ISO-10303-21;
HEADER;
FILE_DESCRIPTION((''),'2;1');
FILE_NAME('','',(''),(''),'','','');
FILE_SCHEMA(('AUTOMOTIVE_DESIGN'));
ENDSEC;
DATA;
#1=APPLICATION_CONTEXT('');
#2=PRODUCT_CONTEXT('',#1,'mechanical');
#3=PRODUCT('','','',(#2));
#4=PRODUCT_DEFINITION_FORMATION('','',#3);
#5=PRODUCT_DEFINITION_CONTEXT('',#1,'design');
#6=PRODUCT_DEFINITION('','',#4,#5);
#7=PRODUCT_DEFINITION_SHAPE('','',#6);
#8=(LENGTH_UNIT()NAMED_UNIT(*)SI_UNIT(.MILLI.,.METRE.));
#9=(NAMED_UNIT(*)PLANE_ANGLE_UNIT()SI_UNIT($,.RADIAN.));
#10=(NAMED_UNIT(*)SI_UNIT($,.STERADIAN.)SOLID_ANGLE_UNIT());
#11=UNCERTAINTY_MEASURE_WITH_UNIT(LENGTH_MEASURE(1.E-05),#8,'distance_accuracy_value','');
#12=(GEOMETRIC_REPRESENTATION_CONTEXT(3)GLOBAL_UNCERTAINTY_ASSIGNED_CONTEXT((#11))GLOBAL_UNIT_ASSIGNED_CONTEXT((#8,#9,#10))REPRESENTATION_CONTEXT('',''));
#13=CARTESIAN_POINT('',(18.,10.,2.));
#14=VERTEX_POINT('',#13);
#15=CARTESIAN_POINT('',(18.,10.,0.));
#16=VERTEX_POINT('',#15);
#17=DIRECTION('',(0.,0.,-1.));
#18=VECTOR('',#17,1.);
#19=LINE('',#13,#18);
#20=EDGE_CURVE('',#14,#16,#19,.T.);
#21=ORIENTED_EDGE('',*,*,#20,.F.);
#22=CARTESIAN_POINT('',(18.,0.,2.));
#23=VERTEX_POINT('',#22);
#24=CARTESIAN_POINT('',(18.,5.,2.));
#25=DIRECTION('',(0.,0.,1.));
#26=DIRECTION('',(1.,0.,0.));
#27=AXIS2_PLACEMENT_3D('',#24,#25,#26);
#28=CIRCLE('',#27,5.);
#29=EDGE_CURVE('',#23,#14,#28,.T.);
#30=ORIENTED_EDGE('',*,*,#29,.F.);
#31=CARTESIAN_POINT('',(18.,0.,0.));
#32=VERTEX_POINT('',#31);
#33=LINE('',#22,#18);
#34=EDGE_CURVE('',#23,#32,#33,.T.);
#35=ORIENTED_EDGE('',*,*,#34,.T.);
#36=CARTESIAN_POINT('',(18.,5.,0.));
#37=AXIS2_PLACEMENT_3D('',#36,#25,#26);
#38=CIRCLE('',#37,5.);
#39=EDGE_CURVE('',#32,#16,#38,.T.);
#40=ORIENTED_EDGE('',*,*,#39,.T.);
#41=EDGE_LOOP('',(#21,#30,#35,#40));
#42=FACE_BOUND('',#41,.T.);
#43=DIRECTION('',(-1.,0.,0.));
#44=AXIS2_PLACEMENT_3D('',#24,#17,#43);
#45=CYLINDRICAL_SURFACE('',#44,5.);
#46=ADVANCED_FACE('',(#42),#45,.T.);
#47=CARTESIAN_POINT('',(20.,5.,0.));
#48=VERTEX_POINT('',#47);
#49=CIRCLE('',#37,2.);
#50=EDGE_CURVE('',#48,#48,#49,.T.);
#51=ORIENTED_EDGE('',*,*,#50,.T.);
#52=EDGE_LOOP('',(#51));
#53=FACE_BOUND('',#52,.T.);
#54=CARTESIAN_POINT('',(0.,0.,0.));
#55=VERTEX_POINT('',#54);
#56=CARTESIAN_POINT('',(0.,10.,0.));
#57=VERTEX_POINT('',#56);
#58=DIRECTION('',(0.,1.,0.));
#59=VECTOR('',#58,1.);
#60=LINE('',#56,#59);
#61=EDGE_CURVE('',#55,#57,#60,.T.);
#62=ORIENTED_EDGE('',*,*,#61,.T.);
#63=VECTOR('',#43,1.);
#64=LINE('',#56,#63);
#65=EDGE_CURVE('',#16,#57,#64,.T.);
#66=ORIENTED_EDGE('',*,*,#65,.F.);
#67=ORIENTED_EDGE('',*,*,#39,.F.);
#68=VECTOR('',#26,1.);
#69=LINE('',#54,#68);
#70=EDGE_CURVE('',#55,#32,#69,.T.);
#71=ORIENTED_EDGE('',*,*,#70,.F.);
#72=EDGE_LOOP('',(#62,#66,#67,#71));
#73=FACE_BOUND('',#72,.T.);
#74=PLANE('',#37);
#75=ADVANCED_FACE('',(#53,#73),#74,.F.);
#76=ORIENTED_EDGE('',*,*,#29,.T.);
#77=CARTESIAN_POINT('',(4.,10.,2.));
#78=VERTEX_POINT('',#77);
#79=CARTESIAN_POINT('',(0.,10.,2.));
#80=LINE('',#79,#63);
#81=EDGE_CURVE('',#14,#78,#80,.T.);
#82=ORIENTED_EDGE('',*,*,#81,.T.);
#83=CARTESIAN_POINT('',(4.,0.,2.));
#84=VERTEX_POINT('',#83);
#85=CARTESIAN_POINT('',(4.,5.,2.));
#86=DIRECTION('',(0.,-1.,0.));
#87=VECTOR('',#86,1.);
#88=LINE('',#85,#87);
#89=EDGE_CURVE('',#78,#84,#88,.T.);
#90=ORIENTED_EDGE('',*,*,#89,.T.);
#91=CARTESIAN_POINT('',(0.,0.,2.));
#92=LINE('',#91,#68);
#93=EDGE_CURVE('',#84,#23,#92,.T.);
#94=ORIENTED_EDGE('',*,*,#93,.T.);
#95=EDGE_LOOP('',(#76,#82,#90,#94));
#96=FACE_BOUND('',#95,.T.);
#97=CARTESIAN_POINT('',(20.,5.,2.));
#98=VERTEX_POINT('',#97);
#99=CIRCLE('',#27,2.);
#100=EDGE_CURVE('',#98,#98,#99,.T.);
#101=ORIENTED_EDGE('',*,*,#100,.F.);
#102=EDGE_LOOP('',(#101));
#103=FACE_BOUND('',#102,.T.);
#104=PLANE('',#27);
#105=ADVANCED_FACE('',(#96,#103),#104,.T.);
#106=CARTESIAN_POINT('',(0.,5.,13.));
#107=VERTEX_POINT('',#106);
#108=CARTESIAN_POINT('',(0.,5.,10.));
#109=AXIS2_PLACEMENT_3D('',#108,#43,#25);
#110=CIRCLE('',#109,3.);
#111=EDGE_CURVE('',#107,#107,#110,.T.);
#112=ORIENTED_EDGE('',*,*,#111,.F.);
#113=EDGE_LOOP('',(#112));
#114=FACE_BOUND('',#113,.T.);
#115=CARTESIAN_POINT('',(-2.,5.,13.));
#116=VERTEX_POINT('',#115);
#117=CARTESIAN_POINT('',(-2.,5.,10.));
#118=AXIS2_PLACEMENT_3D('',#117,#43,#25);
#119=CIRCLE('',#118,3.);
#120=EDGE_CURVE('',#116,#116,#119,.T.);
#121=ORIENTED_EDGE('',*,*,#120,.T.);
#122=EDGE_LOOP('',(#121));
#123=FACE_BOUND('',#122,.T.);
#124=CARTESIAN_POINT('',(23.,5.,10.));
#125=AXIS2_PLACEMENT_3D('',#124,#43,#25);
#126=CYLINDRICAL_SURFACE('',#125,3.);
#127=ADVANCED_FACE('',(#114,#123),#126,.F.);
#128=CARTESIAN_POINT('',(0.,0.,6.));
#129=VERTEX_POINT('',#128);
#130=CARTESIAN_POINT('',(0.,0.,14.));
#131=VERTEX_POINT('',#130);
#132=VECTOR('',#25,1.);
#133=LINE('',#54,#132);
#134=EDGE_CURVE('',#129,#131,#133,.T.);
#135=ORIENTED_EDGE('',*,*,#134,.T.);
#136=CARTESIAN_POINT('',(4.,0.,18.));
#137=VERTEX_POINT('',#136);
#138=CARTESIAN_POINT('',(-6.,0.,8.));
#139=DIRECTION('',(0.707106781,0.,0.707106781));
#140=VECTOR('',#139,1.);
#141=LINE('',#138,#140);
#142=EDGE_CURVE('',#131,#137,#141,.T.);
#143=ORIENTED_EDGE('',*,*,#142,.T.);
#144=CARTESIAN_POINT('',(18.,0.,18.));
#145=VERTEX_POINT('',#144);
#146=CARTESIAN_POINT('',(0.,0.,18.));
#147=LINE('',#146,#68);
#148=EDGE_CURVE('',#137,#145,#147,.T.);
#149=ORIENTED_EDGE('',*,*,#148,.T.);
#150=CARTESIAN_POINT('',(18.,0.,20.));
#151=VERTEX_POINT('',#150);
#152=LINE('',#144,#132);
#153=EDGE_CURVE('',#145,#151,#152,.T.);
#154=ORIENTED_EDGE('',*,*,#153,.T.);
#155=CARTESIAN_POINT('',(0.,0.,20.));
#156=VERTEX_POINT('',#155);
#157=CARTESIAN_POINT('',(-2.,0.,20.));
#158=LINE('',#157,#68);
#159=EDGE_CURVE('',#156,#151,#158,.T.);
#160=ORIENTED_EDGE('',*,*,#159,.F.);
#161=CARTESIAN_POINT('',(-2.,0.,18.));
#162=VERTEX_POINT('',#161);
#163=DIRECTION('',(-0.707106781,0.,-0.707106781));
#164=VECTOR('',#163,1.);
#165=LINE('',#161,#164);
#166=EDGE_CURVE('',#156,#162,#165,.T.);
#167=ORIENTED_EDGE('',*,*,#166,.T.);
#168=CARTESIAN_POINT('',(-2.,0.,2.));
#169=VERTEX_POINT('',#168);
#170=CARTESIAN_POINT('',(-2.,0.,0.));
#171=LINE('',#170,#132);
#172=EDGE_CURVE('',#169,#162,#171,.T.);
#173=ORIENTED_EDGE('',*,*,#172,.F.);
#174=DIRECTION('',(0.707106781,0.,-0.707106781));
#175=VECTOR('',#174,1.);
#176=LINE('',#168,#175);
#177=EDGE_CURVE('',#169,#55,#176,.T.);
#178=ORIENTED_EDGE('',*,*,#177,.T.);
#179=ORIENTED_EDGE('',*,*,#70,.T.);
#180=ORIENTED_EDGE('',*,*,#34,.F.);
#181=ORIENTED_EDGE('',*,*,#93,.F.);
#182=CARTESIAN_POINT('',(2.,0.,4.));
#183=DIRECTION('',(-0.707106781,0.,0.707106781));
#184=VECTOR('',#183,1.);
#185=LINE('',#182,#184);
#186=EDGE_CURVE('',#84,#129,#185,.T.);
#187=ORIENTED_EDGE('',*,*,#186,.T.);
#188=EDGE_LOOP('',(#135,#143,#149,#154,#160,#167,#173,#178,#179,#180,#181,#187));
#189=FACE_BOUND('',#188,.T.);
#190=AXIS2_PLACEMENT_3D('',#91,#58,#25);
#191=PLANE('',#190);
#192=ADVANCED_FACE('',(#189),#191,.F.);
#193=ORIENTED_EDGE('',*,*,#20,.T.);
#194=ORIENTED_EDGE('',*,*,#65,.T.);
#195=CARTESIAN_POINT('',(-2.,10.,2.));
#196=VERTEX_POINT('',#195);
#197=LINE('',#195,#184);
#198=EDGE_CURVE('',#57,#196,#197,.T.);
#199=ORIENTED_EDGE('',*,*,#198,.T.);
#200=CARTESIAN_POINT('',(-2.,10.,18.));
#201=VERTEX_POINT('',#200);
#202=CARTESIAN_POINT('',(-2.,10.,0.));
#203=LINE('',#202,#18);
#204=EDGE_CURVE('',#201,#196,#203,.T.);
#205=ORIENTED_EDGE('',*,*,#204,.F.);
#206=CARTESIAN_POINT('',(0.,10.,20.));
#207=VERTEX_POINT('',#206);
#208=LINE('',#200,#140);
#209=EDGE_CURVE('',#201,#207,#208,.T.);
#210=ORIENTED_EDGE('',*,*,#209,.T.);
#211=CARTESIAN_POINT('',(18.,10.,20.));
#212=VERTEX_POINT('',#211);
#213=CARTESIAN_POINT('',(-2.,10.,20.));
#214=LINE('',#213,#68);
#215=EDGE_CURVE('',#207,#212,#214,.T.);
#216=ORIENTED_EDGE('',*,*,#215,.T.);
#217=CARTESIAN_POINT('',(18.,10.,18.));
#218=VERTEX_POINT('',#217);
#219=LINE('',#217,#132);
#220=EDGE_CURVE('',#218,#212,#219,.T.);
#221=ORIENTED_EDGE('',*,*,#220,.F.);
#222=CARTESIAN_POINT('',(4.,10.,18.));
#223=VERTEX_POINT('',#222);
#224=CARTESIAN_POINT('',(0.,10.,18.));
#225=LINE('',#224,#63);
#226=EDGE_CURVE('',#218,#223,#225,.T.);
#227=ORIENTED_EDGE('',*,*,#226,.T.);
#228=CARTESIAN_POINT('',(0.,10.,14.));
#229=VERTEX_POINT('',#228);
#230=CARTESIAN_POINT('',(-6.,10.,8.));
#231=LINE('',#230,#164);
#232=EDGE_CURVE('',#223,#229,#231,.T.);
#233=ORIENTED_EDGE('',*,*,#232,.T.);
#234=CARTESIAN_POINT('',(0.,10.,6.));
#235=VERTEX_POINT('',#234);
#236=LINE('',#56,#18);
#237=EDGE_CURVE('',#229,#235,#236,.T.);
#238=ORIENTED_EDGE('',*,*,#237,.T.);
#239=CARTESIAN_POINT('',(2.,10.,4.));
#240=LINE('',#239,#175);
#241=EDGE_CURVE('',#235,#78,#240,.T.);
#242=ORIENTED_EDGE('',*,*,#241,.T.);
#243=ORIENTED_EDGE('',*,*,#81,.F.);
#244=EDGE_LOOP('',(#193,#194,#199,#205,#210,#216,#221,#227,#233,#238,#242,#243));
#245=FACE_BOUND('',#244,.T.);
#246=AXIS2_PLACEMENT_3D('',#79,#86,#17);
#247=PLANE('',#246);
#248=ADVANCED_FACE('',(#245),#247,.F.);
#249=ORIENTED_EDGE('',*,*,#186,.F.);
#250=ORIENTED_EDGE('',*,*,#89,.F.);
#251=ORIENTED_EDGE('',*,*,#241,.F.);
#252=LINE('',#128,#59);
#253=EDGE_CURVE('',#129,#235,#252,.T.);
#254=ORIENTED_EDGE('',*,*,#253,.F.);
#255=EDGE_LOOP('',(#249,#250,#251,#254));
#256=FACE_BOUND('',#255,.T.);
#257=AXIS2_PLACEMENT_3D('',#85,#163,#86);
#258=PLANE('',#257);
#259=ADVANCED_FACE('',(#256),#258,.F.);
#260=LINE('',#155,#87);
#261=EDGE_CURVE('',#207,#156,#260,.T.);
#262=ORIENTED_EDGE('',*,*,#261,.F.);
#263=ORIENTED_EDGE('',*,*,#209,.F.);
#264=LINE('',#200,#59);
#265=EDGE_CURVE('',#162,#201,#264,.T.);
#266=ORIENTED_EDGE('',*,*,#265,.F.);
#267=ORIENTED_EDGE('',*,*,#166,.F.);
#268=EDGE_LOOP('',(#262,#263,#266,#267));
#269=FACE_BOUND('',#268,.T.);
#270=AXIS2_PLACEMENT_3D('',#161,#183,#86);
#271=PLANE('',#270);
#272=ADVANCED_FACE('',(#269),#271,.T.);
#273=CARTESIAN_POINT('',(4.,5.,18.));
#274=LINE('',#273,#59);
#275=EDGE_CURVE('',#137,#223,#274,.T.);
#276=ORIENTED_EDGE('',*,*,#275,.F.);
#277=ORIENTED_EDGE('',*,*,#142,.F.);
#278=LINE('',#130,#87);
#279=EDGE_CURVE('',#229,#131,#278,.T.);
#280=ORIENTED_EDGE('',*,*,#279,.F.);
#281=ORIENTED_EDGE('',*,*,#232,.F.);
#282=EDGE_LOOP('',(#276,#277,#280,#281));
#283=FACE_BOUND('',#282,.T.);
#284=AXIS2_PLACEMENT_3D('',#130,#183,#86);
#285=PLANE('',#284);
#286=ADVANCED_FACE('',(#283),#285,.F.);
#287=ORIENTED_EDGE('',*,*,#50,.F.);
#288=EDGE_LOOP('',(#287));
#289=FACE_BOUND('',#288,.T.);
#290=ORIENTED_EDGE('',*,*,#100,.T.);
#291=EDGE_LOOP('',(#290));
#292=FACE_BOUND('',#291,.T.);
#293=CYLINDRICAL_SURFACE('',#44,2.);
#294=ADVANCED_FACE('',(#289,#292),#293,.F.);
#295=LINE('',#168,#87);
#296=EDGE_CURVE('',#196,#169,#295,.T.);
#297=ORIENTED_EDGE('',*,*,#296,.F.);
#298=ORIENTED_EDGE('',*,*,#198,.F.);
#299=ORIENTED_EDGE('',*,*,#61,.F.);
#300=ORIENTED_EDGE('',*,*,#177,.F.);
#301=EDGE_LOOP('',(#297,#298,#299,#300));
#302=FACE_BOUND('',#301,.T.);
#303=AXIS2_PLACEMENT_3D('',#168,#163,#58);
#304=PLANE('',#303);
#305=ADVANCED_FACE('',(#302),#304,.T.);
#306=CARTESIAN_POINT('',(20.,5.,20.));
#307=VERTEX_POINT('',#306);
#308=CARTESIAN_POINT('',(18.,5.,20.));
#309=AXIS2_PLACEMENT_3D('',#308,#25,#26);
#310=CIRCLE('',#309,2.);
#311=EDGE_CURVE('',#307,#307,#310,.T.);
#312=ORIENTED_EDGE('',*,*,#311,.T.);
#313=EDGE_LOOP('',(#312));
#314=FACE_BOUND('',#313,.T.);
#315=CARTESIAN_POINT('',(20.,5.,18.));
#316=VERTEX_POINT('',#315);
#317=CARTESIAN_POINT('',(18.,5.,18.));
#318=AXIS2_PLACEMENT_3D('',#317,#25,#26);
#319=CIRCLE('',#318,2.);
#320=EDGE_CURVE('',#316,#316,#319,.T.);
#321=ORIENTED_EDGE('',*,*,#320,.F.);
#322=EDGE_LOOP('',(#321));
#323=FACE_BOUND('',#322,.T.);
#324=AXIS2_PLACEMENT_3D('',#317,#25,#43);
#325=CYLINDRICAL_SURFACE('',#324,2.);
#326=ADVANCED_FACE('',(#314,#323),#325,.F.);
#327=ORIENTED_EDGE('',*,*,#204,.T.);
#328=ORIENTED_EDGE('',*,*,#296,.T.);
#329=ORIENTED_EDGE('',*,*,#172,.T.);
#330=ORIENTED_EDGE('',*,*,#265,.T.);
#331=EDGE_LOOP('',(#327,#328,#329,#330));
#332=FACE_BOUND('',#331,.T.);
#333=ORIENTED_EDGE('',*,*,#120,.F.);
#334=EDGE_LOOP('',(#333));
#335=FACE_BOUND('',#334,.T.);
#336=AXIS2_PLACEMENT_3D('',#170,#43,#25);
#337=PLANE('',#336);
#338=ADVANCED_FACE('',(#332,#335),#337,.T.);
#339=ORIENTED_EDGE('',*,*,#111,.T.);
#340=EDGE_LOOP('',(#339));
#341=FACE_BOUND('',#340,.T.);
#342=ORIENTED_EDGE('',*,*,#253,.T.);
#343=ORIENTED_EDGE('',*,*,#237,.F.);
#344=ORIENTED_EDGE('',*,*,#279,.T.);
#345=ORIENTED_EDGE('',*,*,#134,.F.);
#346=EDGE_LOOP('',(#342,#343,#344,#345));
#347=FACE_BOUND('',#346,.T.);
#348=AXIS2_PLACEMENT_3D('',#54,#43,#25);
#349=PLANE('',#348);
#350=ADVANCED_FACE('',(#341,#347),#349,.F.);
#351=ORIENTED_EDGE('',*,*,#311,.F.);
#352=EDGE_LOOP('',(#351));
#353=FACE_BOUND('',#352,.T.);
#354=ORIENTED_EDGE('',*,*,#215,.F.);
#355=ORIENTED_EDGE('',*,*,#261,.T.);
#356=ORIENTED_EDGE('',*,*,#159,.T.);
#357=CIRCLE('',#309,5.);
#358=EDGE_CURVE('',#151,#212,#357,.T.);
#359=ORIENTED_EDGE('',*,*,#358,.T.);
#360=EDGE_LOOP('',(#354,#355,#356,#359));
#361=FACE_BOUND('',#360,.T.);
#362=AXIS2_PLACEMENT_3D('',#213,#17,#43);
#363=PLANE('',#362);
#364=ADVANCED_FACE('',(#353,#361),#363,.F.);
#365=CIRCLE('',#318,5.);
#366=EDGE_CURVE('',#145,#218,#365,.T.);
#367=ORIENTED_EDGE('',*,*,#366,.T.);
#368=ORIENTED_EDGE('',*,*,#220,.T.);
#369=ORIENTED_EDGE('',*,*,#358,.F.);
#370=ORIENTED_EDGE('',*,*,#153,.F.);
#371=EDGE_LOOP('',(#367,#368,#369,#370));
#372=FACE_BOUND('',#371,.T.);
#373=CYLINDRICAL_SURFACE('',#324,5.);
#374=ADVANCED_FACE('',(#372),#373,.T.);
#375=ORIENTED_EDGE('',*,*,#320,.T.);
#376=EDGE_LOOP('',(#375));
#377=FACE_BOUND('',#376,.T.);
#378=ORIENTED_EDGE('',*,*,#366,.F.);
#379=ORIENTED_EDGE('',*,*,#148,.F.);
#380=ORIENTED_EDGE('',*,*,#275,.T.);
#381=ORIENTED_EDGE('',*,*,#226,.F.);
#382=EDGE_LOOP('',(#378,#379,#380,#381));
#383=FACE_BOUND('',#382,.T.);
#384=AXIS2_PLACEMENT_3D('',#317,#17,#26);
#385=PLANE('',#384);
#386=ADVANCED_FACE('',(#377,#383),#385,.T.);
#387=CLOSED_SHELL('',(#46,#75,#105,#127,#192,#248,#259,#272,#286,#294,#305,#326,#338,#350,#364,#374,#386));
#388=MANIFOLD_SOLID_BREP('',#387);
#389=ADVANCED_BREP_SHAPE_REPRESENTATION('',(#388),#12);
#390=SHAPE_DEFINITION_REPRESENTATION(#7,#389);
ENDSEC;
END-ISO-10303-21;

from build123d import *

# Parameters (mm, degrees)
SKETCH_1_R          = 2
EXTRUDE_1_DEPTH     = 2
SKETCH_6_W          = 20
SKETCH_6_H          = 10
EXTRUDE_5_DEPTH     = 2
CHAMFER_2_SIZE      = 2
CHAMFER_3_SIZE      = 4
SKETCH_7_R          = 3
CUT_EXTRUDE_2_DEPTH = 34.541019662


with BuildPart() as part:
    # 草图1 → 凸台-拉伸1 (new body)
    with BuildSketch(Plane.XY):
        with BuildLine():
            Line((0, 0), (18, 0))
            ThreePointArc((18, 0), (23, 5), (18, 10))
            Line((18, 10), (0, 10))
            Line((0, 10), (0, 0))
        make_face()
        with Locations((18, 5)):
            Circle(SKETCH_1_R, mode=Mode.SUBTRACT)
    extrude(amount=EXTRUDE_1_DEPTH)


with BuildPart() as body_2:
    # 镜向1: mirrored copy
    add(part.part.mirror(Plane.XY.offset(10)))


with BuildPart() as part_1:
    add(part.part)

    add(body_2.part)  # 凸台-拉伸5 merges body 2
    # 草图6 → 凸台-拉伸5 (add)
    with BuildSketch(Plane.ZY):
        with Locations((10, 5)):
            Rectangle(SKETCH_6_W, SKETCH_6_H)
    extrude(amount=EXTRUDE_5_DEPTH)

    # 倒角2
    chamfer_2_edges = [part_1.edges().sort_by_distance(p)[0] for p in [
        (-2, 5, 0),
        (-2, 5, 20),
    ]]
    chamfer(chamfer_2_edges, length=CHAMFER_2_SIZE)

    # 倒角3
    chamfer_3_edges = [part_1.edges().sort_by_distance(p)[0] for p in [
        (0, 5, 18),
        (0, 5, 2),
    ]]
    chamfer(chamfer_3_edges, length=CHAMFER_3_SIZE)

    # 草图7 → 切除-拉伸2 (cut, through all)
    with BuildSketch(Plane.ZY.offset(2)):
        with Locations((10, 5)):
            Circle(SKETCH_7_R)
    extrude(amount=-CUT_EXTRUDE_2_DEPTH, mode=Mode.SUBTRACT)


solid = part_1.part
